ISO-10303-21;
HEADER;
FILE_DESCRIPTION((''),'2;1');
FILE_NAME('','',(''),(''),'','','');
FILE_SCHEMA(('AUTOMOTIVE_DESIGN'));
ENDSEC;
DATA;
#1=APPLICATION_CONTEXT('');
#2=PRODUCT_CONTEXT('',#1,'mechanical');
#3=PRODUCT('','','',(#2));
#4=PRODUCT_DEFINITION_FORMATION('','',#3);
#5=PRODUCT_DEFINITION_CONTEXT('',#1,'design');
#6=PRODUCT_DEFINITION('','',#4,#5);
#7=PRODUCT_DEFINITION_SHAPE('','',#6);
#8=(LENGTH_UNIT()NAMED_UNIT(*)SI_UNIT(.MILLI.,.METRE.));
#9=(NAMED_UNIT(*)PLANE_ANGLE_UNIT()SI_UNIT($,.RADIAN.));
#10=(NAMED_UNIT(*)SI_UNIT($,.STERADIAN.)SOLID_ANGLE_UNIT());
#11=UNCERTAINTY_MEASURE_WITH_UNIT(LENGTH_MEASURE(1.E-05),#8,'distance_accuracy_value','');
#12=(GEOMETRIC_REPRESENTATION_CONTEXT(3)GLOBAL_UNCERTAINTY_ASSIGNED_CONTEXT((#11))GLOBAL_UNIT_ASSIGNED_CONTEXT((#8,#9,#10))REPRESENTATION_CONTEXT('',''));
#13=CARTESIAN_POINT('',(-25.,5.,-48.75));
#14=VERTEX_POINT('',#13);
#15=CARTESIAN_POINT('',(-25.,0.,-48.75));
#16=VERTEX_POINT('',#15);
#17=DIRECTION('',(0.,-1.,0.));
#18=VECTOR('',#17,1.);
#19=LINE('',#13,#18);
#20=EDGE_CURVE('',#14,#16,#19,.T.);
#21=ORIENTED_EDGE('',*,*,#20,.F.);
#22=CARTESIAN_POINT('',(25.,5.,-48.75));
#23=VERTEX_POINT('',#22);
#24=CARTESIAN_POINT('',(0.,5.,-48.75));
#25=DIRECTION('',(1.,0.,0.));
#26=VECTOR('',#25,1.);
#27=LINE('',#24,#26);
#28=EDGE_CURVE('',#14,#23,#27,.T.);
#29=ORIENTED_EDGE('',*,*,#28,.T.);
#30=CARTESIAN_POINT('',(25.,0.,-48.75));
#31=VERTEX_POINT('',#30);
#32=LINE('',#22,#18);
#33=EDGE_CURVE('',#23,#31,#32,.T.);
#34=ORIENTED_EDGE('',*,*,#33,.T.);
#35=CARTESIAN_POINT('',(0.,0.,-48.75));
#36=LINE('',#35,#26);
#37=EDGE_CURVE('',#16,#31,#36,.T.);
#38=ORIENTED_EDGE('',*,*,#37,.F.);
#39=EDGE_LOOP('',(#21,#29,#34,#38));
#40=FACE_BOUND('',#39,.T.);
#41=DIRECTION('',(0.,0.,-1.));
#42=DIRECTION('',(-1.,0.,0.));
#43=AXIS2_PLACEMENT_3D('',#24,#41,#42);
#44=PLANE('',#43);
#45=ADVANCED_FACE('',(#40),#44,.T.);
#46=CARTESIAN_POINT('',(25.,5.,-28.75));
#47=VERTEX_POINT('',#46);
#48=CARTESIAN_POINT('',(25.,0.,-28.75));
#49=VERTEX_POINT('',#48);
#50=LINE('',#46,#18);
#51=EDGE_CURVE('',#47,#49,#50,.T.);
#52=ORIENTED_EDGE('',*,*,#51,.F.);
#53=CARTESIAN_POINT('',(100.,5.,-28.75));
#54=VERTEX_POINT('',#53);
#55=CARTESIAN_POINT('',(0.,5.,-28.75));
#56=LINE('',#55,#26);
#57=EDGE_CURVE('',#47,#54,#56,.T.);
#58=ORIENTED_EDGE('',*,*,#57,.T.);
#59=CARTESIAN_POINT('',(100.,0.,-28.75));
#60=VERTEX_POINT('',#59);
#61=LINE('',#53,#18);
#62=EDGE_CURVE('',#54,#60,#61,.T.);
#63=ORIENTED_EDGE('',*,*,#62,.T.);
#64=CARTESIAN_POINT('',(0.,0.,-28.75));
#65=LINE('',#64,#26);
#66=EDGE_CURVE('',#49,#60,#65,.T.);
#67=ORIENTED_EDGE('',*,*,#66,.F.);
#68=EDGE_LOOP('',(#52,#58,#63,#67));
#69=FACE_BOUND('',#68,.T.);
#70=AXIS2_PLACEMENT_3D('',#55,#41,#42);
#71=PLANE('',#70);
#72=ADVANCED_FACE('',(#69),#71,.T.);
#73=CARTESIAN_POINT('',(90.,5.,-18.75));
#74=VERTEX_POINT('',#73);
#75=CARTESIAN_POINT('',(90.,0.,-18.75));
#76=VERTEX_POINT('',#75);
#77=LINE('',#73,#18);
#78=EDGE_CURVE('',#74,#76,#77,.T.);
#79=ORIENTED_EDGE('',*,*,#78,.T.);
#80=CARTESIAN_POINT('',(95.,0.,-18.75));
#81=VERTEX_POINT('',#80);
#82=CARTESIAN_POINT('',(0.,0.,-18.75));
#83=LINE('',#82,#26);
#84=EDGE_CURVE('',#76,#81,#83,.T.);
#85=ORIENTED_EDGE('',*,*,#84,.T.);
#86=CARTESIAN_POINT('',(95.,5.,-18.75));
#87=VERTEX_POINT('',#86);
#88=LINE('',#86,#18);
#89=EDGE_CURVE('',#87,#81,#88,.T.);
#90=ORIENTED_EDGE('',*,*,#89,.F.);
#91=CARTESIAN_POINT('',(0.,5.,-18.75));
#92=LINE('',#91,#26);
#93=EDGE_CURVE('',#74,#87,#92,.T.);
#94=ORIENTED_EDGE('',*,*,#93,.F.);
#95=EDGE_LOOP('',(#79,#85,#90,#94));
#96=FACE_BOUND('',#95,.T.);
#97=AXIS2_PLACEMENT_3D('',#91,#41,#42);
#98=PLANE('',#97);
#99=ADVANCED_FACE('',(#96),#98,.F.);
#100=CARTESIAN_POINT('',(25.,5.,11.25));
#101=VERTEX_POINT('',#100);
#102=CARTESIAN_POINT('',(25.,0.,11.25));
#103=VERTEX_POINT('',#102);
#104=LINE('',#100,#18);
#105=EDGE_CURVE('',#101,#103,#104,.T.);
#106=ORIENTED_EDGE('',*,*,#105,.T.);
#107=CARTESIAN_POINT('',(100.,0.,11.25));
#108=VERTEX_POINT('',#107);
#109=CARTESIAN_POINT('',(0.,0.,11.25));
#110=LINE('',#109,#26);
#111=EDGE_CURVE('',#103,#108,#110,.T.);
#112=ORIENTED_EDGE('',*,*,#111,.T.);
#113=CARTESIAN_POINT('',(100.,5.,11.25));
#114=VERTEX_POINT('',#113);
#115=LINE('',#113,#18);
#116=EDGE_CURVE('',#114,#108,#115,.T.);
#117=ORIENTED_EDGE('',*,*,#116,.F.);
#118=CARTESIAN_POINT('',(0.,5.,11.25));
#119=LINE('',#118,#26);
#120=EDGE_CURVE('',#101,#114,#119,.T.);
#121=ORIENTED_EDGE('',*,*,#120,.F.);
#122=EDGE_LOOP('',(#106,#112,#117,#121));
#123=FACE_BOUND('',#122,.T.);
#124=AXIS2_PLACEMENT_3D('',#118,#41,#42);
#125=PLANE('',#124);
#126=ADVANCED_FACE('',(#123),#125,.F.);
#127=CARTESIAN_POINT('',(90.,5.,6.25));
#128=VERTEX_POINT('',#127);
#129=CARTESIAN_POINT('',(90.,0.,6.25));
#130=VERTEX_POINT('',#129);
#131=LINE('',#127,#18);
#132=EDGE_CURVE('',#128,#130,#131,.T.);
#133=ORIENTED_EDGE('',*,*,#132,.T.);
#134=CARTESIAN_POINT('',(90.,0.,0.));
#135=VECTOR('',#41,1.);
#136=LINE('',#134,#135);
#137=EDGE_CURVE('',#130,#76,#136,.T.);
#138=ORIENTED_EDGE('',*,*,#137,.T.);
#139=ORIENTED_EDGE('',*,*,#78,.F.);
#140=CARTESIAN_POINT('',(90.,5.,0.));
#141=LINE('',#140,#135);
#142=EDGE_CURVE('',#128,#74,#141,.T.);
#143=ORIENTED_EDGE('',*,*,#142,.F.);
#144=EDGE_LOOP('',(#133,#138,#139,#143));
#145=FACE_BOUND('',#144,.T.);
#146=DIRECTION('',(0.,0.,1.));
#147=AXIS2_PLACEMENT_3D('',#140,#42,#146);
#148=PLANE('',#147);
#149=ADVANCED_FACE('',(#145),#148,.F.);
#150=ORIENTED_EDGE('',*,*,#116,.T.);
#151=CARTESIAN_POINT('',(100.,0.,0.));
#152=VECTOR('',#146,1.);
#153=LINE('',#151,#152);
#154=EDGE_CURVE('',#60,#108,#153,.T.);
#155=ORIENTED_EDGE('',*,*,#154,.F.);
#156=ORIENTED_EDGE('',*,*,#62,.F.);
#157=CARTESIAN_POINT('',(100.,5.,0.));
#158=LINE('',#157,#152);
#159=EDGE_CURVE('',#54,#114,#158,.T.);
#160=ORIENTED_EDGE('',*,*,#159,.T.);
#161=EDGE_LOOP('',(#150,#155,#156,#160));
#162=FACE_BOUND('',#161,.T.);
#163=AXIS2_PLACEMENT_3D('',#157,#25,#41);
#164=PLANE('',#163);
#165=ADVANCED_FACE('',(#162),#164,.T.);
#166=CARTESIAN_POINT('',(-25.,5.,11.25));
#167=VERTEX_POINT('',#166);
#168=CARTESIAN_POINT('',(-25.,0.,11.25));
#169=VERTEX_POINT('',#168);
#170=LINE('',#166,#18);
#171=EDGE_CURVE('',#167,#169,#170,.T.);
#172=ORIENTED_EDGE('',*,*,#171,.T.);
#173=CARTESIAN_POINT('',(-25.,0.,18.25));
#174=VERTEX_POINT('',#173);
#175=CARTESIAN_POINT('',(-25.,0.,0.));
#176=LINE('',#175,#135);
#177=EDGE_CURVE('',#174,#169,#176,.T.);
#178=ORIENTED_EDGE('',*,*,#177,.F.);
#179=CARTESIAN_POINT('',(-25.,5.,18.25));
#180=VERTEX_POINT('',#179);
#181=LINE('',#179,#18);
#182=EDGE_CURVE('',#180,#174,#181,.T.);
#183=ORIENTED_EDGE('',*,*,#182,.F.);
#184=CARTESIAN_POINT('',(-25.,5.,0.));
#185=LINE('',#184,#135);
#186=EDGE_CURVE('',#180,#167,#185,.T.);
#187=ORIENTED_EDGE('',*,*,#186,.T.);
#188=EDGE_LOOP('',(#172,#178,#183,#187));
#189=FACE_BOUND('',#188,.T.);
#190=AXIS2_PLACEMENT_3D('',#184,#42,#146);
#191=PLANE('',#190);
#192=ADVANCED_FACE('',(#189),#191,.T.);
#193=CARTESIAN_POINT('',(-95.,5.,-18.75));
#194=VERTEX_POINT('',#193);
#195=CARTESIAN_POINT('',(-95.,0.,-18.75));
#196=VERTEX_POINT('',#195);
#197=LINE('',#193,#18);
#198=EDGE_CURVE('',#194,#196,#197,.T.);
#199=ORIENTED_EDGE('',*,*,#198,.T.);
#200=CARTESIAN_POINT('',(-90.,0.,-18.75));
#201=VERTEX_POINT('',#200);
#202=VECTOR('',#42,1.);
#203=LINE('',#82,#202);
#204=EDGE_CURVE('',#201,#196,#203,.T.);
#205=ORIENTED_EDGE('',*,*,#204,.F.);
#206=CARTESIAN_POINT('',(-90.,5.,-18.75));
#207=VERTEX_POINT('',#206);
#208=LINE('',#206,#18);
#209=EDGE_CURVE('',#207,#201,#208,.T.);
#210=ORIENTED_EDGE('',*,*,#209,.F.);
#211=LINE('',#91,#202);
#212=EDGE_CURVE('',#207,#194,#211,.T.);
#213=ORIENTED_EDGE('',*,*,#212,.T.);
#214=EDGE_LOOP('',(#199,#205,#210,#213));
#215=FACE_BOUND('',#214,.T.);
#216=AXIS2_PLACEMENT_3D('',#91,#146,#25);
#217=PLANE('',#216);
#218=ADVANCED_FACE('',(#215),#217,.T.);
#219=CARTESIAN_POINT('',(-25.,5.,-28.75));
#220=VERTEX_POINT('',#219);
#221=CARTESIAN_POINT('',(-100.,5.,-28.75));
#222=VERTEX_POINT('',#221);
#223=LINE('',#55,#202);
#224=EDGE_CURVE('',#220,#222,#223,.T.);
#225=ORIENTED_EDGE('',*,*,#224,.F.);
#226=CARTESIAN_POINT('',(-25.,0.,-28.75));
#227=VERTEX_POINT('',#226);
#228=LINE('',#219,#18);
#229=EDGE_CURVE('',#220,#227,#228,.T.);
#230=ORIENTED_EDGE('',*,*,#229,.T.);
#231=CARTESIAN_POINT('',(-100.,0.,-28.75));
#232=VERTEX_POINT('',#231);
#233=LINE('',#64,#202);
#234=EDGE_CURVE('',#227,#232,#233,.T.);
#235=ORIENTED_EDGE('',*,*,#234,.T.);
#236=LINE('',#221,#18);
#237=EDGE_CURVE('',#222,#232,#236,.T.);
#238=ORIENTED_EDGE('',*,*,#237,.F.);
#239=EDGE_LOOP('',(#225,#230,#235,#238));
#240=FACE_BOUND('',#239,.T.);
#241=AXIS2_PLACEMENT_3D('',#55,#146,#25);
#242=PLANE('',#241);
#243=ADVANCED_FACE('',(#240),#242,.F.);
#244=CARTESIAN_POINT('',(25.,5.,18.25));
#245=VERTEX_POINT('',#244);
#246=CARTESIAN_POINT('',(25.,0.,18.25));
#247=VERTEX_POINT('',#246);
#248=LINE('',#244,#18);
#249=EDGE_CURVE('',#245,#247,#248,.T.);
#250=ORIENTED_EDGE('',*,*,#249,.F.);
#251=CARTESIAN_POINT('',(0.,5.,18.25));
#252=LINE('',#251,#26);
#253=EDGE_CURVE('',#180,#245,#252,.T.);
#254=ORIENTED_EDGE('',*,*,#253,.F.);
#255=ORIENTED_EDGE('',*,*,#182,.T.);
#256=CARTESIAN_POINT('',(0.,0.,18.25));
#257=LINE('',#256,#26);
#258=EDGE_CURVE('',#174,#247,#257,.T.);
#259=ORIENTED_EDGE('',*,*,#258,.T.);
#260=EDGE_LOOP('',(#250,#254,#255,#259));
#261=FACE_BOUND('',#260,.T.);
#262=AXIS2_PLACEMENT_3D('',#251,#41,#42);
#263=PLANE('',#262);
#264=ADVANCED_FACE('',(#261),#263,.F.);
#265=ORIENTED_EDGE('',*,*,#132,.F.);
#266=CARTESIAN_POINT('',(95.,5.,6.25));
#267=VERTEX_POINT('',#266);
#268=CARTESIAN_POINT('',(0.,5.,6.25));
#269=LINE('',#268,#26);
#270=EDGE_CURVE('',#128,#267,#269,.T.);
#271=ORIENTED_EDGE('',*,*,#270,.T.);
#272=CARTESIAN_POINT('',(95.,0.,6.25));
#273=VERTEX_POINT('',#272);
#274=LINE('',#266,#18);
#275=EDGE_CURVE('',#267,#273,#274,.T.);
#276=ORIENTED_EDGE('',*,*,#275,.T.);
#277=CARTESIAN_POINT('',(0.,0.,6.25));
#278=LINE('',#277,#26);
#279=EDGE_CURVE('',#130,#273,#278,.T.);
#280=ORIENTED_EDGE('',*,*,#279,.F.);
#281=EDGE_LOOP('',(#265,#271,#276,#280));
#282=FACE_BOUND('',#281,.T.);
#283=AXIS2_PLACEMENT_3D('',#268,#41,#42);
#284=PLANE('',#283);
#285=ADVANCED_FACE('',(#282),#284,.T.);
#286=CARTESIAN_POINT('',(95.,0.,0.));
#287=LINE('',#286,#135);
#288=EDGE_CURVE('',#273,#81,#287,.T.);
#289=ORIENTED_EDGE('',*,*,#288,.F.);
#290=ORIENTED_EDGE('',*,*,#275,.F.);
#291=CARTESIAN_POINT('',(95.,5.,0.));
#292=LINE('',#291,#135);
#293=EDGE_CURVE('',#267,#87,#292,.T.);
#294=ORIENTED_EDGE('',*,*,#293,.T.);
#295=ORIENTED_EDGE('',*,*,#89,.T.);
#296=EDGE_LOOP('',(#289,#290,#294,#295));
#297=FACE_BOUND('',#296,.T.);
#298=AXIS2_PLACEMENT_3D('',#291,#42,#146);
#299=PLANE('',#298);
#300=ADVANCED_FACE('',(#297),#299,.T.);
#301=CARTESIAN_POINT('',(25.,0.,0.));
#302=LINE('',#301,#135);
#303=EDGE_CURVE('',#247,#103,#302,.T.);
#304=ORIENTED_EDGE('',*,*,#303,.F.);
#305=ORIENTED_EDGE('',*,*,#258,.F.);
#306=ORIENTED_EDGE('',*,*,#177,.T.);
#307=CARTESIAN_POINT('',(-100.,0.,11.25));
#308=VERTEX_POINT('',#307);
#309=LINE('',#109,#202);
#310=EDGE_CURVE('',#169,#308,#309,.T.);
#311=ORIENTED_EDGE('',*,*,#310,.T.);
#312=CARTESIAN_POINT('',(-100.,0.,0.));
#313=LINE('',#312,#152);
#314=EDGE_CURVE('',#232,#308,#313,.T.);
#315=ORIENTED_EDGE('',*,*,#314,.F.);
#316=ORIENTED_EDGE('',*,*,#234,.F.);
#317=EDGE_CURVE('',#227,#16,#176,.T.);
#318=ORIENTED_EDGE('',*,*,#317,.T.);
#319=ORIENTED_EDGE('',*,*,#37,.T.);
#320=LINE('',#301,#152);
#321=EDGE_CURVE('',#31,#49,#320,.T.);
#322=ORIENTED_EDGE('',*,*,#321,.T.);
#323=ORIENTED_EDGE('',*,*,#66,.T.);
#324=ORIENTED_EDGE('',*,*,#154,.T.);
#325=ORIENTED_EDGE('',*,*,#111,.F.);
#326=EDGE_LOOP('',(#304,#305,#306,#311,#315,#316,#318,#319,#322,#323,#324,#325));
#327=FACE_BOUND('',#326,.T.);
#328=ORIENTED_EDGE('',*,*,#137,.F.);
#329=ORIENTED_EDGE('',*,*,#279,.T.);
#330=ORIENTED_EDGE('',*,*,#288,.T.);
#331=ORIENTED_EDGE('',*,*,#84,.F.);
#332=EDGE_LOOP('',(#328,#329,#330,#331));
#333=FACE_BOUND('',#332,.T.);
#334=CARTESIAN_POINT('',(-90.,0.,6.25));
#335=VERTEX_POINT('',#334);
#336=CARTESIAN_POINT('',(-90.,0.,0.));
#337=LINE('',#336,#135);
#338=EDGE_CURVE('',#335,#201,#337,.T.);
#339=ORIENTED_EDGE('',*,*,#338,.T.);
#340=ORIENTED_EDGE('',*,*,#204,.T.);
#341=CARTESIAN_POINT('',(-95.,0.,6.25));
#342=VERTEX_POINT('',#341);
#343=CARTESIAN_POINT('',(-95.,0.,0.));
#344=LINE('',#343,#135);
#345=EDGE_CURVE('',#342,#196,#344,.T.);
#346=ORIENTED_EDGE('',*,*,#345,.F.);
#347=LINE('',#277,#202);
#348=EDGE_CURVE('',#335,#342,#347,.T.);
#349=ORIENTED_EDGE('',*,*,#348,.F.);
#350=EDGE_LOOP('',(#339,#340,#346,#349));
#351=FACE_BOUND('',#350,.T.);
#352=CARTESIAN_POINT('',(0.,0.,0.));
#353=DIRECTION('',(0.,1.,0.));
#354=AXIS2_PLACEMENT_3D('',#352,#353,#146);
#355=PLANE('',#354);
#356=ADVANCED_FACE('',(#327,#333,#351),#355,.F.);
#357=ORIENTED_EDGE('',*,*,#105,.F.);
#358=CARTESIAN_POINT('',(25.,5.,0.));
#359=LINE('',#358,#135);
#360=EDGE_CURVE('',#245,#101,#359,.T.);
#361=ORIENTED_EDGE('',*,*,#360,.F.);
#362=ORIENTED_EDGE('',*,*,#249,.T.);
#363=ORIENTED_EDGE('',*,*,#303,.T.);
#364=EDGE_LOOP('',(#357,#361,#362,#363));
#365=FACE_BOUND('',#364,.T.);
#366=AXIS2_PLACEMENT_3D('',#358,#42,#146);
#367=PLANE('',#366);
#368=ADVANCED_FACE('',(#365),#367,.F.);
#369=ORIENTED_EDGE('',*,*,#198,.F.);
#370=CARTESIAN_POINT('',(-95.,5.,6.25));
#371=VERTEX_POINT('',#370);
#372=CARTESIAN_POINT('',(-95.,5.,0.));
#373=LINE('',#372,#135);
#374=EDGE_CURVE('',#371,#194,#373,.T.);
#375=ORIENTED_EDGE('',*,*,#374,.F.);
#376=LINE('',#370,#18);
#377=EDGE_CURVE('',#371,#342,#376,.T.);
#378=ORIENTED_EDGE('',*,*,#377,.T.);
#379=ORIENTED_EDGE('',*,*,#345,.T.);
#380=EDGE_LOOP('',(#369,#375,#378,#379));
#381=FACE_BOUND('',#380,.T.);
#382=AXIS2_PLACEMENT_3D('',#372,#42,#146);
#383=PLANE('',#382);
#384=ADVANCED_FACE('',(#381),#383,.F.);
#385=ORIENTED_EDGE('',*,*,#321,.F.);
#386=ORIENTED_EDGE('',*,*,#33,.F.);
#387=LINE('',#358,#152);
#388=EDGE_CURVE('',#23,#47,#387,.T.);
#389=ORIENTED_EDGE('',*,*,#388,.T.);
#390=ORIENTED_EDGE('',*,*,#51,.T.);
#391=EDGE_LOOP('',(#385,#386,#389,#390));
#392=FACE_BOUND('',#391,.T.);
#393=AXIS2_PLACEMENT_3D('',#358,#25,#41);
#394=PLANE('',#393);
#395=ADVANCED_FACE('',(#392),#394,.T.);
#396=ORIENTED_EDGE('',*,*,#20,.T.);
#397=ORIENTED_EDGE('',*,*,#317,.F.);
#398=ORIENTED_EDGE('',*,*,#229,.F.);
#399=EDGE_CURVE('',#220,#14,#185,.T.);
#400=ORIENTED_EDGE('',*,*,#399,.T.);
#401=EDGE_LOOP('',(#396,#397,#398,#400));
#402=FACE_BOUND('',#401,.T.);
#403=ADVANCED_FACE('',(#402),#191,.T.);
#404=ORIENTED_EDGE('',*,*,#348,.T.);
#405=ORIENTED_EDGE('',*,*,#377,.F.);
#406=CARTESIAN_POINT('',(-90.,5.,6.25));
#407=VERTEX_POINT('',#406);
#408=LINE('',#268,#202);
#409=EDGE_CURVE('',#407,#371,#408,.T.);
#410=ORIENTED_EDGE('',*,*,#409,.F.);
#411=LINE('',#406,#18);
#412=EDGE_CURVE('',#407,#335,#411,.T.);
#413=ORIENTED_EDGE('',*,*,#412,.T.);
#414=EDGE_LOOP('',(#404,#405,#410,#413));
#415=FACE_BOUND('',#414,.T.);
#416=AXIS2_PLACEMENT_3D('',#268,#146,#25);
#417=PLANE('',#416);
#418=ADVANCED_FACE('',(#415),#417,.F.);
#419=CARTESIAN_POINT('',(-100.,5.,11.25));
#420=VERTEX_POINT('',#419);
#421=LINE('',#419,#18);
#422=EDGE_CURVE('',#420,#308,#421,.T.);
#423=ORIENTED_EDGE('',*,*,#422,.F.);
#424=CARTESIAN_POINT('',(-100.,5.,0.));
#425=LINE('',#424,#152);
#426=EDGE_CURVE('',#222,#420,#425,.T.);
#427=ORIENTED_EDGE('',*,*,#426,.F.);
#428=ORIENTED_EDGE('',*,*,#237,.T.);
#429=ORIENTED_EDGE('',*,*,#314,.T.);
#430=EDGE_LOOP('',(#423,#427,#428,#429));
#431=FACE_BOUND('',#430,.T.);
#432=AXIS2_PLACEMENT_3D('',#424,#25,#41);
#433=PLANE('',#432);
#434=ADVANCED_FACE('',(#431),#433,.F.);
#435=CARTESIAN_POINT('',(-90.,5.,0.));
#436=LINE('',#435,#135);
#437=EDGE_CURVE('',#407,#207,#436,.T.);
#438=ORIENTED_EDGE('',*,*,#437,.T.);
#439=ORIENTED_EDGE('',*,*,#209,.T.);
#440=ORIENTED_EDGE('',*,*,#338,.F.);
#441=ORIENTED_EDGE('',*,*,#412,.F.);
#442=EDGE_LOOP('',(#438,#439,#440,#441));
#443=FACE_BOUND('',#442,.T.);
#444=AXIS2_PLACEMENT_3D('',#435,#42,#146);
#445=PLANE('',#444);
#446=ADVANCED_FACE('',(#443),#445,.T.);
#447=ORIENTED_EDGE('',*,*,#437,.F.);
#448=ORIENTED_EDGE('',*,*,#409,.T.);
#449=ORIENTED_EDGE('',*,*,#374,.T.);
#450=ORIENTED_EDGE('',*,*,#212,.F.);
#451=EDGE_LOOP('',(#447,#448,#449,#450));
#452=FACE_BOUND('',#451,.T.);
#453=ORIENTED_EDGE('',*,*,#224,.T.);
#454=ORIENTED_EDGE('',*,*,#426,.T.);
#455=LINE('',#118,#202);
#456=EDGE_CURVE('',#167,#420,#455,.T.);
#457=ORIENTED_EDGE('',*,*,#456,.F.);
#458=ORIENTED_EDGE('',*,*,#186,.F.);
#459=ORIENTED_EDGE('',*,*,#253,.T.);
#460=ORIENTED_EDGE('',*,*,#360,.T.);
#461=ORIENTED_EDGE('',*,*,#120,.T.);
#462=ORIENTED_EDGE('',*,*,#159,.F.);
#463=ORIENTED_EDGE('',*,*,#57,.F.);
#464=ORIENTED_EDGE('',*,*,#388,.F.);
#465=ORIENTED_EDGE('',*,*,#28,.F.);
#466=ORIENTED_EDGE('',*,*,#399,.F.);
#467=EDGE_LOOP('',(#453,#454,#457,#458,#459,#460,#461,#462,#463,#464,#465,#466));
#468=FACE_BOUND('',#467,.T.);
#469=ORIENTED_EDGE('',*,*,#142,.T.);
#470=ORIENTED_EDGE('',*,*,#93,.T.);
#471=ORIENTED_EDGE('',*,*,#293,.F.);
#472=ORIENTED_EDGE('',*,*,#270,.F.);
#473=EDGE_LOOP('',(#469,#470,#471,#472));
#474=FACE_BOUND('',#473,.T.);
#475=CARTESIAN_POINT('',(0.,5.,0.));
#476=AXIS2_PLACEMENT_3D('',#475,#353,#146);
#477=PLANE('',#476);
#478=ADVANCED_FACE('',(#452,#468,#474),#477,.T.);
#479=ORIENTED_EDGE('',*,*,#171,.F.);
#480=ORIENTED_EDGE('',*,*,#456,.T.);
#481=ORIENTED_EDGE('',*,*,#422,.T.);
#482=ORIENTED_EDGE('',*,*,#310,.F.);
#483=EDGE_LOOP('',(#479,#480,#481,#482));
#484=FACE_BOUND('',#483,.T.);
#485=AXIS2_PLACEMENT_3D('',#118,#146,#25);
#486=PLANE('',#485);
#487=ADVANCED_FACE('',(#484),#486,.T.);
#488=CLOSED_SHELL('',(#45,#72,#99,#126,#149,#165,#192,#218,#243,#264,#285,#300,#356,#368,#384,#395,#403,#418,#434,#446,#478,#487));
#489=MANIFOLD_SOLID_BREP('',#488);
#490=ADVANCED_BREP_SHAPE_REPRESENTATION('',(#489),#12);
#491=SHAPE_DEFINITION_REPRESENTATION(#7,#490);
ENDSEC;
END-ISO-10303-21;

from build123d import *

# Parameters (mm, degrees)
SKETCH1_W           = 5
SKETCH1_H           = 25
BOSS_EXTRUDE1_DEPTH = 5


with BuildPart() as part:
    # Sketch1 → Boss-Extrude1 (new body)
    with BuildSketch(Plane(origin=(0, 0, 0), x_dir=(1, 0, 0), z_dir=(0, 1, 0))):
        Polygon((-25, 28.75), (-100, 28.75), (-100, -11.25), (-25, -11.25), (-25, -18.25), (25, -18.25), (25, -11.25), (100, -11.25), (100, 28.75), (25, 28.75), (25, 48.75), (-25, 48.75), align=None)
        with Locations((92.5, 6.25)):
            Rectangle(SKETCH1_W, SKETCH1_H, mode=Mode.SUBTRACT)
        with Locations((-92.5, 6.25)):
            Rectangle(SKETCH1_W, SKETCH1_H, mode=Mode.SUBTRACT)
    extrude(amount=BOSS_EXTRUDE1_DEPTH)


solid = part.part
